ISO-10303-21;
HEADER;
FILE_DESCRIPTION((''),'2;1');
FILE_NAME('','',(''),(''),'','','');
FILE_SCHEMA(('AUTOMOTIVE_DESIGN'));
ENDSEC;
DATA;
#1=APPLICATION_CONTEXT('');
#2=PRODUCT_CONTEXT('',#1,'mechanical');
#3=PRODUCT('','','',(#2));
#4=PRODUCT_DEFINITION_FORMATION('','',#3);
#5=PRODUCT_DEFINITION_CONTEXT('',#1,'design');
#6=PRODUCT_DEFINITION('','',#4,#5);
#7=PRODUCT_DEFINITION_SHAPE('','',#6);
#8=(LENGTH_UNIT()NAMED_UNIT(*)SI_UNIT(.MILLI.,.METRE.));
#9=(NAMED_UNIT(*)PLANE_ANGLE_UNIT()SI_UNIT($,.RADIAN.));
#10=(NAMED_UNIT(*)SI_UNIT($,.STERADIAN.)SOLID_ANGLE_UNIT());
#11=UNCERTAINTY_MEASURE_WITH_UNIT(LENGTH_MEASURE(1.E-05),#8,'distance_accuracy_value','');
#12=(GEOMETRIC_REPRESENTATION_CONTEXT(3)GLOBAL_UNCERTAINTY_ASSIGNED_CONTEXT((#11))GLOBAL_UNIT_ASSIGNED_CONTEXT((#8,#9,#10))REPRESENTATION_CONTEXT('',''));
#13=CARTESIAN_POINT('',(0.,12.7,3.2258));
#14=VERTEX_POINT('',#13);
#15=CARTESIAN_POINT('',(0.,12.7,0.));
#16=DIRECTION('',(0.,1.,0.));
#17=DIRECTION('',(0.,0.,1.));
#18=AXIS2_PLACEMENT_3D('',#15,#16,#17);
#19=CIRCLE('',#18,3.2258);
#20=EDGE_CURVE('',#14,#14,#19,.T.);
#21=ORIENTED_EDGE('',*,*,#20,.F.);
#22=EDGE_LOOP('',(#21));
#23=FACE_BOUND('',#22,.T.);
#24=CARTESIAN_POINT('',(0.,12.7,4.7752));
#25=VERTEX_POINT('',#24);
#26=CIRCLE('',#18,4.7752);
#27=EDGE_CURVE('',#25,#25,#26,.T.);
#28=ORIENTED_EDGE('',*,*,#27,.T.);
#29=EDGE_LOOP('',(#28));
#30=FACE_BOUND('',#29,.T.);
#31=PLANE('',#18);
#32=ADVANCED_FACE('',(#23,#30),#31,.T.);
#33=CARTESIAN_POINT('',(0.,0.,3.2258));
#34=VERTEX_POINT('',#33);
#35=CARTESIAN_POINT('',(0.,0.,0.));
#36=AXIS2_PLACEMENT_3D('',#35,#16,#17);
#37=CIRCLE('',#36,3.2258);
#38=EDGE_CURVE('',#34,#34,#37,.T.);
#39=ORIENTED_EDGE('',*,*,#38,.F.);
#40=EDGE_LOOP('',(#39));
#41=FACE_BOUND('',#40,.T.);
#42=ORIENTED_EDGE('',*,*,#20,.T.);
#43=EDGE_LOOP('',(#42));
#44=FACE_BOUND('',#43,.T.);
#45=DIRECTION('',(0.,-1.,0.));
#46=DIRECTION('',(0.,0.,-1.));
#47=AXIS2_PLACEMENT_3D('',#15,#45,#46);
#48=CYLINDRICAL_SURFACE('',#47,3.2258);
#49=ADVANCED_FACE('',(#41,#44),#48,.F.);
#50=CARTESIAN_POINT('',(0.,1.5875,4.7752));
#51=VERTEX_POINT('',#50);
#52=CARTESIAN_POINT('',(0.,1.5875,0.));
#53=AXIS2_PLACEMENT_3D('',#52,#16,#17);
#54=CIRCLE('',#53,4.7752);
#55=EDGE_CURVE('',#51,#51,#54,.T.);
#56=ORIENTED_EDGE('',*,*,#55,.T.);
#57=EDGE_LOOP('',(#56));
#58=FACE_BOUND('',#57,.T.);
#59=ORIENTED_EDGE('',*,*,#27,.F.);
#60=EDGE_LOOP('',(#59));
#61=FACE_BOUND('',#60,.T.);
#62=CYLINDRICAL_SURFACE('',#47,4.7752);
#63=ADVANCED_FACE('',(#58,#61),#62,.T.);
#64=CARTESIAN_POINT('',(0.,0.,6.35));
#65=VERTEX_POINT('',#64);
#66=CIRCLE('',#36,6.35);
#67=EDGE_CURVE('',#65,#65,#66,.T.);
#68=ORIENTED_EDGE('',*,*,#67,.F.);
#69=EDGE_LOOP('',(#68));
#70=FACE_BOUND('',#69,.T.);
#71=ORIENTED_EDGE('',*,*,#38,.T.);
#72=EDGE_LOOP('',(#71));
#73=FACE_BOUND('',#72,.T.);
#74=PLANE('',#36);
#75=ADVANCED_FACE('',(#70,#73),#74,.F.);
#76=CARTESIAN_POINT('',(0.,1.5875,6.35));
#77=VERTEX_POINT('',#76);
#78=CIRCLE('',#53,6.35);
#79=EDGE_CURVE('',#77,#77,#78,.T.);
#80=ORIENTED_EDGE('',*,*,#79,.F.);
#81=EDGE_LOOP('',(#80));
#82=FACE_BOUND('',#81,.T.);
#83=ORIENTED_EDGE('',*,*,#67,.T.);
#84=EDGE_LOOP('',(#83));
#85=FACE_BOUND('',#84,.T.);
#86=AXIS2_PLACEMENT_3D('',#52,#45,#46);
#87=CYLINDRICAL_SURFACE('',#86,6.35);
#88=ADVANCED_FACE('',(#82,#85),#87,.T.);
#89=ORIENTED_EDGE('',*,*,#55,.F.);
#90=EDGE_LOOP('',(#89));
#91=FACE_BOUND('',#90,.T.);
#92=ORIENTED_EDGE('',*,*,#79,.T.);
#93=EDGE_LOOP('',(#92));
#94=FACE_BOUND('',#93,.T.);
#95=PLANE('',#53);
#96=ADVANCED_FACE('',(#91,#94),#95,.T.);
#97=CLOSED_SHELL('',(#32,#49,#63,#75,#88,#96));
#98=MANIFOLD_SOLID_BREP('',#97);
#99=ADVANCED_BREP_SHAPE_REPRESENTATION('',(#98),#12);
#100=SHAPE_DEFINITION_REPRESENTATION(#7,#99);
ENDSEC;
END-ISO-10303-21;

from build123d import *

# Parameters (mm, degrees)
SKETCH2_R           = 4.7752
SKETCH2_R_2         = 3.2258
BOSS_EXTRUDE1_DEPTH = 12.7
SKETCH3_R           = 6.35
SKETCH3_R_2         = 4.7752
BOSS_EXTRUDE2_DEPTH = 1.5875


with BuildPart() as part:
    # Sketch2 → Boss-Extrude1 (new body)
    with BuildSketch(Plane(origin=(0, 0, 0), x_dir=(1, 0, 0), z_dir=(0, 1, 0))):
        Circle(SKETCH2_R)
        Circle(SKETCH2_R_2, mode=Mode.SUBTRACT)
    extrude(amount=BOSS_EXTRUDE1_DEPTH)

    # Sketch3 → Boss-Extrude2 (add)
    with BuildSketch(Plane(origin=(0, 0, 0), x_dir=(1, 0, 0), z_dir=(0, 1, 0))):
        Circle(SKETCH3_R)
        Circle(SKETCH3_R_2, mode=Mode.SUBTRACT)
    extrude(amount=BOSS_EXTRUDE2_DEPTH)


solid = part.part
